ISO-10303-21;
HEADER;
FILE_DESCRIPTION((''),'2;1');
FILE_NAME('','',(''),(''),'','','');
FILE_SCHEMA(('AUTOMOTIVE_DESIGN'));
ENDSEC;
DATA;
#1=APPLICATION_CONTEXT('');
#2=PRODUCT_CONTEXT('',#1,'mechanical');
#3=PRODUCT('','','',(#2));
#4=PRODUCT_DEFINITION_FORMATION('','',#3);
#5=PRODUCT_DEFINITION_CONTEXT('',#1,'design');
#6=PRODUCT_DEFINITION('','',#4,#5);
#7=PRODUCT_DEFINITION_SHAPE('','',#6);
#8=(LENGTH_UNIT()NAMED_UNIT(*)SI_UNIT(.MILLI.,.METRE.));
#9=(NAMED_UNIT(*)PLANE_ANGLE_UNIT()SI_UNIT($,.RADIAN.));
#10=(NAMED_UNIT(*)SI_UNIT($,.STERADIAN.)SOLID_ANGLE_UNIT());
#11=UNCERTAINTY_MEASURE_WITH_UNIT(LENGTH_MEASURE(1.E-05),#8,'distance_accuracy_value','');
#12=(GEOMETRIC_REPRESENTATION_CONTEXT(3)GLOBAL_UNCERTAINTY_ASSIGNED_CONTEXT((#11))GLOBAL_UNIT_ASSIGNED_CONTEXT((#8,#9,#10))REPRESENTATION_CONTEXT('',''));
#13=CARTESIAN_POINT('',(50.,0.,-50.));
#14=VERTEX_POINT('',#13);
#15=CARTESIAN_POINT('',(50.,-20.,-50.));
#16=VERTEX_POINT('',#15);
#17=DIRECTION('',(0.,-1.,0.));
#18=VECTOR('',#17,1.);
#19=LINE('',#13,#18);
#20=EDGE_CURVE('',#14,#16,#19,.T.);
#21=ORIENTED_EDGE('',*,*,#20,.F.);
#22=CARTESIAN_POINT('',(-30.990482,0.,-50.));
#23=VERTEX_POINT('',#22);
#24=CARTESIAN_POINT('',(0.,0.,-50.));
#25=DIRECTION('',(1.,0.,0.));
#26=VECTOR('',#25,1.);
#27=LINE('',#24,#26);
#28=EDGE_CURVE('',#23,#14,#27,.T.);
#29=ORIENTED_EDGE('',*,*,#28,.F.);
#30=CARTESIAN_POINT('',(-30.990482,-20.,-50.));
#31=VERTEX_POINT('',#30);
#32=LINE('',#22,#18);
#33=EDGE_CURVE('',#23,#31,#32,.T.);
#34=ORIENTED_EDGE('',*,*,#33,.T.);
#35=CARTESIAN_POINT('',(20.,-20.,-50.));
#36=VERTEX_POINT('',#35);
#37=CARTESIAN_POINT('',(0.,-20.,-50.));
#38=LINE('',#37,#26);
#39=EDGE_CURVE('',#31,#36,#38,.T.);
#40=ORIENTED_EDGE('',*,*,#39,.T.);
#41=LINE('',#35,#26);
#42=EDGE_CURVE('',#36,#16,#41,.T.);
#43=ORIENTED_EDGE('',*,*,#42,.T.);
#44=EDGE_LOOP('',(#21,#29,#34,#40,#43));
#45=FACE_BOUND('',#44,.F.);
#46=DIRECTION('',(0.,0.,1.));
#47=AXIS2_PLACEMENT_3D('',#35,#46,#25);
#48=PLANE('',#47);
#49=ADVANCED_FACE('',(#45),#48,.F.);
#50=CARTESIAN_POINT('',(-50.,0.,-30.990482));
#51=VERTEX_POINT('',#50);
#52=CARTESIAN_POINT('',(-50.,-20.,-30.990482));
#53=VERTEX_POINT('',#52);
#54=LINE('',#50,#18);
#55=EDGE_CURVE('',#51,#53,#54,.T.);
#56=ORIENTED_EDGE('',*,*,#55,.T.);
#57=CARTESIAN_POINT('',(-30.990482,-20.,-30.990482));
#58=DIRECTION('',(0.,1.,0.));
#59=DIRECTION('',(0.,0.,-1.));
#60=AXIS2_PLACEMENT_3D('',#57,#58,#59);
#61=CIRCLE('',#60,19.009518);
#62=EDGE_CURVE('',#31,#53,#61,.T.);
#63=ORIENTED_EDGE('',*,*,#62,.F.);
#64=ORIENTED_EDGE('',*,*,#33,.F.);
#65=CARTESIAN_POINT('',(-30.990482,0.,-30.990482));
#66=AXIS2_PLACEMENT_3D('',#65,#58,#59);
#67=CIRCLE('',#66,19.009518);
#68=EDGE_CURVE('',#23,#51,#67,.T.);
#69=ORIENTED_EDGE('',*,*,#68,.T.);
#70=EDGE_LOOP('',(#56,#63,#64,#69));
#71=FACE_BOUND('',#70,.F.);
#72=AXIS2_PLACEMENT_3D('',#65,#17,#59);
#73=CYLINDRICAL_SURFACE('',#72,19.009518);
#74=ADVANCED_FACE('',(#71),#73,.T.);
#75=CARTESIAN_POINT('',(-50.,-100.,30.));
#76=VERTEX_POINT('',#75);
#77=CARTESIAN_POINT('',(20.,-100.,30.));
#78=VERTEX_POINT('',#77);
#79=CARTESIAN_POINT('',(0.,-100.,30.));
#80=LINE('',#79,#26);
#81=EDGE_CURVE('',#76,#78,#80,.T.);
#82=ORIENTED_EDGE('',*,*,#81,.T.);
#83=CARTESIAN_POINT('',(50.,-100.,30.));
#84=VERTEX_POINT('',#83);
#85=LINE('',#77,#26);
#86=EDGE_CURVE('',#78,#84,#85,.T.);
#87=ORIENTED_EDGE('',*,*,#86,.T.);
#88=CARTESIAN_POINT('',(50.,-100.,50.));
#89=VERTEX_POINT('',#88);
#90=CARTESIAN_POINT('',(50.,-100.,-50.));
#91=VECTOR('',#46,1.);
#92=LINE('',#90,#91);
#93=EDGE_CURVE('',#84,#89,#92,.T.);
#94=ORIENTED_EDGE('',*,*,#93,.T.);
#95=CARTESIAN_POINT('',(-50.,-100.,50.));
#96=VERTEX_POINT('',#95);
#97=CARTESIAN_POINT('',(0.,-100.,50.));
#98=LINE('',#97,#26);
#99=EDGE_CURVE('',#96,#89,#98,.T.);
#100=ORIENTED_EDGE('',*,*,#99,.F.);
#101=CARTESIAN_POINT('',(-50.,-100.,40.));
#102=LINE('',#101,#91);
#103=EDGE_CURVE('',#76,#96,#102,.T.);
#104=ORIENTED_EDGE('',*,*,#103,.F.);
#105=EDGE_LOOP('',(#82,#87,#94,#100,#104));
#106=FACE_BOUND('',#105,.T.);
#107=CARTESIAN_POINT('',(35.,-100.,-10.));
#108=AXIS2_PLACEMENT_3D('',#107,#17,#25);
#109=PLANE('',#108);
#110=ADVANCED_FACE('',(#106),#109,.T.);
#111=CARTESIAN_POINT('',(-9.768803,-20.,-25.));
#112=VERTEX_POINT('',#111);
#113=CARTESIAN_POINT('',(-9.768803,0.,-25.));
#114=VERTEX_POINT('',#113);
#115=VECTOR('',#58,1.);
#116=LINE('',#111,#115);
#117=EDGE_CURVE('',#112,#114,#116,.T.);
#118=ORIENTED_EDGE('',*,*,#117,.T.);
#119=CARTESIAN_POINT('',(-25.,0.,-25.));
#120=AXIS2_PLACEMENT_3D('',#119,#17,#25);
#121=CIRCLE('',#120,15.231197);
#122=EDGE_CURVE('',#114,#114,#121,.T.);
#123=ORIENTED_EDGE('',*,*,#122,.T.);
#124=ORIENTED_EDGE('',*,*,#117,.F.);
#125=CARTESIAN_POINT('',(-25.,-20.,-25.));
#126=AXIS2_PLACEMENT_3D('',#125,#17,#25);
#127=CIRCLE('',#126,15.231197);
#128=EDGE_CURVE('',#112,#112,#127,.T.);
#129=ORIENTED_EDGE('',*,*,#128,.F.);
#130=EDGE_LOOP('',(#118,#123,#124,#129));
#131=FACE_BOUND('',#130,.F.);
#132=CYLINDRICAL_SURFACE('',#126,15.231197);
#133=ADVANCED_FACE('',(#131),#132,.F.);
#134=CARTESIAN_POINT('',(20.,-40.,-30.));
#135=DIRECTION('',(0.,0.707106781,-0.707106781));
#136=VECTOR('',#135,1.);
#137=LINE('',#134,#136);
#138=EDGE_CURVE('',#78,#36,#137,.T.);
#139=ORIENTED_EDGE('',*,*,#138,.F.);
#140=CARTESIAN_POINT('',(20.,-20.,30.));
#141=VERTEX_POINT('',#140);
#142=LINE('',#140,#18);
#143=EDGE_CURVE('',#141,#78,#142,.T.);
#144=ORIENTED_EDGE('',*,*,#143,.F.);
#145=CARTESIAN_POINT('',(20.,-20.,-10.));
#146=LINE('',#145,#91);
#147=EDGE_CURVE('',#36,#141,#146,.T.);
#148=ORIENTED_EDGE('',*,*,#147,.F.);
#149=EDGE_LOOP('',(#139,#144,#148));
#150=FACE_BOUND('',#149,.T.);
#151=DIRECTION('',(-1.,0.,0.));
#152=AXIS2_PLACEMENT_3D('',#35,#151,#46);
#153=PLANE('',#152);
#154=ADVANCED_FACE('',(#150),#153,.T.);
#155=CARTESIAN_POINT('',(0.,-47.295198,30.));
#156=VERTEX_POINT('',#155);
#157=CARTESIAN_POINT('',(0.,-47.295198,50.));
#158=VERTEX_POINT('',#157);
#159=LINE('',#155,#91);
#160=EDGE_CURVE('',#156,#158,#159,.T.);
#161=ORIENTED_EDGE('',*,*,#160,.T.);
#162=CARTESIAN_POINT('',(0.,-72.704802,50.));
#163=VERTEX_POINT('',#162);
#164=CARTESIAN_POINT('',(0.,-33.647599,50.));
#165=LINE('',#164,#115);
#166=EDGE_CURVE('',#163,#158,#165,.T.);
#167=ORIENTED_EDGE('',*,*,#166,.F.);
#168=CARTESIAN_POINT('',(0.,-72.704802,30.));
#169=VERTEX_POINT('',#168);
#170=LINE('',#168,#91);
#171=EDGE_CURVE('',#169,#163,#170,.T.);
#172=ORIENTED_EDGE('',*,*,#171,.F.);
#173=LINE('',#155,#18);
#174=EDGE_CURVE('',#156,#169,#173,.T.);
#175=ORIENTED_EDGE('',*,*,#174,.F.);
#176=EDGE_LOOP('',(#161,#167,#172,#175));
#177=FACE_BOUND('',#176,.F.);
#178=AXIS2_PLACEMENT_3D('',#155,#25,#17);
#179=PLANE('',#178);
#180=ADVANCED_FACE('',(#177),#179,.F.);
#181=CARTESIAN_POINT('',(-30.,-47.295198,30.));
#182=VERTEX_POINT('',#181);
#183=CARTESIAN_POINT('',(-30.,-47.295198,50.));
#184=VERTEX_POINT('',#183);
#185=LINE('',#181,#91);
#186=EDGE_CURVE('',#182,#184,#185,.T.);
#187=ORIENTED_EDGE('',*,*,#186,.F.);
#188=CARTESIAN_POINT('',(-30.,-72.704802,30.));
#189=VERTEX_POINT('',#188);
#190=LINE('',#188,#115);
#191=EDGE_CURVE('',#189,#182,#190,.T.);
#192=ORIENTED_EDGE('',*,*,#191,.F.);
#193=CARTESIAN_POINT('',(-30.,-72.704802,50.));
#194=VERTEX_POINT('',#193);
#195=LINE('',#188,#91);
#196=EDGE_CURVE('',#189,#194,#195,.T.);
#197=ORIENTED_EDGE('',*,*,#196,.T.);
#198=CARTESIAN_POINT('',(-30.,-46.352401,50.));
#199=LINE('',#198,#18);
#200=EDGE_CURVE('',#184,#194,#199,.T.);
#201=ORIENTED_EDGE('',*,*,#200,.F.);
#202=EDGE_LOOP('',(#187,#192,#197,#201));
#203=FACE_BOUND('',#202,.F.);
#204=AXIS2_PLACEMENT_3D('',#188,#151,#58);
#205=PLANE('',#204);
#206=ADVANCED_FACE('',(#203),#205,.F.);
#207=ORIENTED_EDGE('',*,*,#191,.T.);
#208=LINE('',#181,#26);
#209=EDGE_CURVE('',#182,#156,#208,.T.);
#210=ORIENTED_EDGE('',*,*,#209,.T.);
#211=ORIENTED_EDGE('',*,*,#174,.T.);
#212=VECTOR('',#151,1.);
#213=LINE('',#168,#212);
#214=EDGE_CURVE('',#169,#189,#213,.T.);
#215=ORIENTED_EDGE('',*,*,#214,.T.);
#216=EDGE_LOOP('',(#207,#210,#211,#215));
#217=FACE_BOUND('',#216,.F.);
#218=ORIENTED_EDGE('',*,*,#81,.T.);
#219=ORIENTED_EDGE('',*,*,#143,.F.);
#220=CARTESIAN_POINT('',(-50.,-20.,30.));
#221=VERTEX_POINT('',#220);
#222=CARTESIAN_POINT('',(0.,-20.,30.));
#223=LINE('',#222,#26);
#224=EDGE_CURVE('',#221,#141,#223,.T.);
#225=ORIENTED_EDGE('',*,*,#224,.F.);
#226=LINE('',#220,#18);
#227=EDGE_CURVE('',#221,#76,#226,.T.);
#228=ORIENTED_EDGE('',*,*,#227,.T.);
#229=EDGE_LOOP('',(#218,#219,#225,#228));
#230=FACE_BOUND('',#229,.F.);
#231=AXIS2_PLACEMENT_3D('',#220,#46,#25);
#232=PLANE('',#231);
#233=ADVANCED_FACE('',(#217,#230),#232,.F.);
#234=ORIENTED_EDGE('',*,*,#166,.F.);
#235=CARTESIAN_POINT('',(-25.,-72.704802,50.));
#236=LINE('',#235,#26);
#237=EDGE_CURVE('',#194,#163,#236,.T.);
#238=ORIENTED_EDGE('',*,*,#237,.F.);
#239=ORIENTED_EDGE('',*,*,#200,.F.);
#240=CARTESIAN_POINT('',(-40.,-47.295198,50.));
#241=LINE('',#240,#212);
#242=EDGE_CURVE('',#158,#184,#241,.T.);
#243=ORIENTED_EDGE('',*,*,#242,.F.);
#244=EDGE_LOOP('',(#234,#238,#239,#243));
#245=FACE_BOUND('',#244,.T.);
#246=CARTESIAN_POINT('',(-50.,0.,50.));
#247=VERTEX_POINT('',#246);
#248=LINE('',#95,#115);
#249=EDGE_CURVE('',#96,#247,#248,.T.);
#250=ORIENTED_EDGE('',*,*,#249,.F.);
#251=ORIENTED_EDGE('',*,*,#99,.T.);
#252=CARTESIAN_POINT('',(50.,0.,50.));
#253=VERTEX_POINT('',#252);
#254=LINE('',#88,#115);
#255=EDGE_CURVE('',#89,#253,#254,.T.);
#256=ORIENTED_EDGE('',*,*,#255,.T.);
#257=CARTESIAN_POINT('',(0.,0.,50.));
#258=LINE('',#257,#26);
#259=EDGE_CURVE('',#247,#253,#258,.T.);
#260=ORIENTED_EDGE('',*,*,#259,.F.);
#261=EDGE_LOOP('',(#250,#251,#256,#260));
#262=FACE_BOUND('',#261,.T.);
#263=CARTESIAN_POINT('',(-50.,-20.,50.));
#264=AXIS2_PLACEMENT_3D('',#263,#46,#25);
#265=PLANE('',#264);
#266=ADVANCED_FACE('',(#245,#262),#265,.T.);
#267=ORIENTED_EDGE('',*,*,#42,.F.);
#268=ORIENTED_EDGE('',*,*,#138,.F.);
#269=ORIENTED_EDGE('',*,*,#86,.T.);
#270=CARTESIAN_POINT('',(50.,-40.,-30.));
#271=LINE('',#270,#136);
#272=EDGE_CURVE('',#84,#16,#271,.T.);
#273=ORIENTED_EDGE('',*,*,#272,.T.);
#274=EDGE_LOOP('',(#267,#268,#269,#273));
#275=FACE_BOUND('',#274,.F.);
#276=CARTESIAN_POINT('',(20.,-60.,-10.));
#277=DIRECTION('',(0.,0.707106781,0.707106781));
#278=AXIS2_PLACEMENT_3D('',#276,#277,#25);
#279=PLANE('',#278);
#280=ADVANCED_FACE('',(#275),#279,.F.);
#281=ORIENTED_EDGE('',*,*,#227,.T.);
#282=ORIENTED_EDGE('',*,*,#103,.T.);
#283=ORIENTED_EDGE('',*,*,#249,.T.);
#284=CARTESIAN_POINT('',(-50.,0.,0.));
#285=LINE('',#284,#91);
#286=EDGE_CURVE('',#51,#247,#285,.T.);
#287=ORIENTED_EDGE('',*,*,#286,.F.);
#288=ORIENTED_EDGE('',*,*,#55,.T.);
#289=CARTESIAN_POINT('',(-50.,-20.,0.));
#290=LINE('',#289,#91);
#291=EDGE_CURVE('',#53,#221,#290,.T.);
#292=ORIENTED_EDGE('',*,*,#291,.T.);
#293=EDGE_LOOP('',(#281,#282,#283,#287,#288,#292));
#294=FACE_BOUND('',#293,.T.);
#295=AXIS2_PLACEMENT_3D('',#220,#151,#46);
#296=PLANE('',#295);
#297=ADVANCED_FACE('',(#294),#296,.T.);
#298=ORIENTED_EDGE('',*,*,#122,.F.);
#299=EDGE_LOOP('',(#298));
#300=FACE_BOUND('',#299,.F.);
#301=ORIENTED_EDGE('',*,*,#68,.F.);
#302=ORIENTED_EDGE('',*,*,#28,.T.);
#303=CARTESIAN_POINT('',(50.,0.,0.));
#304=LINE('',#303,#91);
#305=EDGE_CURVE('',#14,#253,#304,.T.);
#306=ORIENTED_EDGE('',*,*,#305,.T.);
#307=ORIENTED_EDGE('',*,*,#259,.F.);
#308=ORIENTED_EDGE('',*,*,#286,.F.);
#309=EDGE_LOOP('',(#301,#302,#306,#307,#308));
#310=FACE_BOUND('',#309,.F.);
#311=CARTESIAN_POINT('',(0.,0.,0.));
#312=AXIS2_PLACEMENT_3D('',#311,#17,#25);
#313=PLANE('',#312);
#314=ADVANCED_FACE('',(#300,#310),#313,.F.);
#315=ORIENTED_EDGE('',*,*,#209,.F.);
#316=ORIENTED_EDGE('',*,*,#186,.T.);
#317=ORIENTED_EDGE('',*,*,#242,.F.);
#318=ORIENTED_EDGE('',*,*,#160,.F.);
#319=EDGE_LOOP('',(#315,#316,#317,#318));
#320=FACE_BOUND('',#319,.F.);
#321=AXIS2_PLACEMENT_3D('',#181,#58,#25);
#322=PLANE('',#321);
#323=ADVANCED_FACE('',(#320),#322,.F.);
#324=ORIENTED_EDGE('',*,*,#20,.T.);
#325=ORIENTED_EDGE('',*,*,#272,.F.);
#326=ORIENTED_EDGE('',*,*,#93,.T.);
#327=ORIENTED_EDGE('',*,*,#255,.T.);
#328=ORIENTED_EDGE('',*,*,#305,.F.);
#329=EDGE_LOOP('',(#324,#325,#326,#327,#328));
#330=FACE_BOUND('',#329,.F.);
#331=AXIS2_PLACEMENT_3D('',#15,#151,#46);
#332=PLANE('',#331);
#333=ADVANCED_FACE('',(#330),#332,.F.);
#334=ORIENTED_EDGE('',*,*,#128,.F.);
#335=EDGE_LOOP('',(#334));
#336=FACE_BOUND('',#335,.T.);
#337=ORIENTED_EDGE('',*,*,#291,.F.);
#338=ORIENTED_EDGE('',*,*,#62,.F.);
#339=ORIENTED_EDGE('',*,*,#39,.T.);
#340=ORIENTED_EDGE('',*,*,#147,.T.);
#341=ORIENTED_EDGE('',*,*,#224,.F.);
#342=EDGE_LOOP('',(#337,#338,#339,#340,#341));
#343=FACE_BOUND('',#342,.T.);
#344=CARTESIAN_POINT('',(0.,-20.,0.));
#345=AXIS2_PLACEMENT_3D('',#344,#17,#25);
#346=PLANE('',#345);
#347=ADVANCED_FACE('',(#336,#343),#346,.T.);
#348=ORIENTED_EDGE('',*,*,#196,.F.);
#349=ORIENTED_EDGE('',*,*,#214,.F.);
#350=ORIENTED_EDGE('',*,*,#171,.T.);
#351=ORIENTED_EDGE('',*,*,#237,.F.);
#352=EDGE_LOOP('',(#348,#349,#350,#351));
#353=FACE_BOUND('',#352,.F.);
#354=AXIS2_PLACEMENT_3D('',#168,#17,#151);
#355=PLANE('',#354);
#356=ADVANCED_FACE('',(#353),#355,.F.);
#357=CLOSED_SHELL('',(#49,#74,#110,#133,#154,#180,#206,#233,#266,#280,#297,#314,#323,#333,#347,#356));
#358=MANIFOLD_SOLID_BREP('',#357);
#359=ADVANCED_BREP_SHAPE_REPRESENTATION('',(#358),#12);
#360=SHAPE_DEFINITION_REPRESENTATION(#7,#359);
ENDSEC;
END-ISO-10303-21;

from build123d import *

# Parameters (mm, degrees)
F0_W      = 100
F0_H      = 100
F1_DEPTH  = 20
F2_W      = 100
F2_H      = 20
F3_DEPTH  = 80
F4_W      = 30
F4_H      = 80
F5_DEPTH  = 80
F6_SIZE2  = 80
F6_SIZE   = 80
F7_W      = 15
F7_H      = 12.7048021555
F8_DEPTH  = 127
F10_DEPTH = 1143
F11_R     = 15.2311965997
F12_DEPTH = 254
F13_R     = 19.0095175901


with BuildPart() as f1:
    # F0 (on Front) → F1 (new body)
    with BuildSketch(Plane.XZ):
        Rectangle(F0_W, F0_H)
    extrude(amount=F1_DEPTH)

    # F2 (on face) → F3 (join)
    with BuildSketch(Plane.XZ.offset(20)):
        with Locations((0, 40)):
            Rectangle(F2_W, F2_H)
    extrude(amount=F3_DEPTH)

    # F4 (on face) → F5 (join)
    with BuildSketch(Plane.XZ.offset(20)):
        with Locations((35, -10)):
            Rectangle(F4_W, F4_H)
    extrude(amount=F5_DEPTH)

    # F6
    f6_edges = [f1.edges().sort_by_distance(p)[0] for p in [
        (35, -100, -50),
    ]]
    chamfer(f6_edges, length=F6_SIZE, length2=F6_SIZE2)

    # F7 (on face) → F8 (cut)
    with BuildSketch(Plane(origin=(0, 0, 30), x_dir=(1, 0, 0), z_dir=(0, 0, -1))):
        with Locations((-22.5, 66.3524010777)):
            Rectangle(F7_W, F7_H)
        with Locations((-22.5, 53.6475989223)):
            Rectangle(F7_W, F7_H)
        with Locations((-7.5, 53.6475989223)):
            Rectangle(F7_W, F7_H)
        with Locations((-7.5, 66.3524010777)):
            Rectangle(F7_W, F7_H)
    extrude(amount=-F8_DEPTH, mode=Mode.SUBTRACT)

    # F9 (on face) → F10 (cut)
    with BuildSketch(Plane.XZ.offset(20)):
        with BuildLine():
            Line((-25, -25), (-40, -25))
            ThreePointArc((-40, -25), (-35.6066017178, -35.6066017178), (-25, -40))
            Line((-25, -40), (-25, -25))
        make_face()
    extrude(amount=-F10_DEPTH, mode=Mode.SUBTRACT)

    # F11 (on face) → F12 (cut)
    with BuildSketch(Plane.XZ.offset(20)):
        with Locations((-25, -25)):
            Circle(F11_R)
        with BuildLine():
            Line((-40, -25), (-25, -25))
            Line((-25, -25), (-25, -40))
            ThreePointArc((-25, -40), (-35.6066017178, -35.6066017178), (-40, -25))
        make_face(mode=Mode.SUBTRACT)
        with Locations((-25, -25)):
            Circle(F11_R)
    extrude(amount=-F12_DEPTH, mode=Mode.SUBTRACT)

    # F13
    f13_edges = [f1.edges().sort_by_distance(p)[0] for p in [
        (-50, -10, -50),
    ]]
    fillet(f13_edges, radius=F13_R)


solid = f1.part
